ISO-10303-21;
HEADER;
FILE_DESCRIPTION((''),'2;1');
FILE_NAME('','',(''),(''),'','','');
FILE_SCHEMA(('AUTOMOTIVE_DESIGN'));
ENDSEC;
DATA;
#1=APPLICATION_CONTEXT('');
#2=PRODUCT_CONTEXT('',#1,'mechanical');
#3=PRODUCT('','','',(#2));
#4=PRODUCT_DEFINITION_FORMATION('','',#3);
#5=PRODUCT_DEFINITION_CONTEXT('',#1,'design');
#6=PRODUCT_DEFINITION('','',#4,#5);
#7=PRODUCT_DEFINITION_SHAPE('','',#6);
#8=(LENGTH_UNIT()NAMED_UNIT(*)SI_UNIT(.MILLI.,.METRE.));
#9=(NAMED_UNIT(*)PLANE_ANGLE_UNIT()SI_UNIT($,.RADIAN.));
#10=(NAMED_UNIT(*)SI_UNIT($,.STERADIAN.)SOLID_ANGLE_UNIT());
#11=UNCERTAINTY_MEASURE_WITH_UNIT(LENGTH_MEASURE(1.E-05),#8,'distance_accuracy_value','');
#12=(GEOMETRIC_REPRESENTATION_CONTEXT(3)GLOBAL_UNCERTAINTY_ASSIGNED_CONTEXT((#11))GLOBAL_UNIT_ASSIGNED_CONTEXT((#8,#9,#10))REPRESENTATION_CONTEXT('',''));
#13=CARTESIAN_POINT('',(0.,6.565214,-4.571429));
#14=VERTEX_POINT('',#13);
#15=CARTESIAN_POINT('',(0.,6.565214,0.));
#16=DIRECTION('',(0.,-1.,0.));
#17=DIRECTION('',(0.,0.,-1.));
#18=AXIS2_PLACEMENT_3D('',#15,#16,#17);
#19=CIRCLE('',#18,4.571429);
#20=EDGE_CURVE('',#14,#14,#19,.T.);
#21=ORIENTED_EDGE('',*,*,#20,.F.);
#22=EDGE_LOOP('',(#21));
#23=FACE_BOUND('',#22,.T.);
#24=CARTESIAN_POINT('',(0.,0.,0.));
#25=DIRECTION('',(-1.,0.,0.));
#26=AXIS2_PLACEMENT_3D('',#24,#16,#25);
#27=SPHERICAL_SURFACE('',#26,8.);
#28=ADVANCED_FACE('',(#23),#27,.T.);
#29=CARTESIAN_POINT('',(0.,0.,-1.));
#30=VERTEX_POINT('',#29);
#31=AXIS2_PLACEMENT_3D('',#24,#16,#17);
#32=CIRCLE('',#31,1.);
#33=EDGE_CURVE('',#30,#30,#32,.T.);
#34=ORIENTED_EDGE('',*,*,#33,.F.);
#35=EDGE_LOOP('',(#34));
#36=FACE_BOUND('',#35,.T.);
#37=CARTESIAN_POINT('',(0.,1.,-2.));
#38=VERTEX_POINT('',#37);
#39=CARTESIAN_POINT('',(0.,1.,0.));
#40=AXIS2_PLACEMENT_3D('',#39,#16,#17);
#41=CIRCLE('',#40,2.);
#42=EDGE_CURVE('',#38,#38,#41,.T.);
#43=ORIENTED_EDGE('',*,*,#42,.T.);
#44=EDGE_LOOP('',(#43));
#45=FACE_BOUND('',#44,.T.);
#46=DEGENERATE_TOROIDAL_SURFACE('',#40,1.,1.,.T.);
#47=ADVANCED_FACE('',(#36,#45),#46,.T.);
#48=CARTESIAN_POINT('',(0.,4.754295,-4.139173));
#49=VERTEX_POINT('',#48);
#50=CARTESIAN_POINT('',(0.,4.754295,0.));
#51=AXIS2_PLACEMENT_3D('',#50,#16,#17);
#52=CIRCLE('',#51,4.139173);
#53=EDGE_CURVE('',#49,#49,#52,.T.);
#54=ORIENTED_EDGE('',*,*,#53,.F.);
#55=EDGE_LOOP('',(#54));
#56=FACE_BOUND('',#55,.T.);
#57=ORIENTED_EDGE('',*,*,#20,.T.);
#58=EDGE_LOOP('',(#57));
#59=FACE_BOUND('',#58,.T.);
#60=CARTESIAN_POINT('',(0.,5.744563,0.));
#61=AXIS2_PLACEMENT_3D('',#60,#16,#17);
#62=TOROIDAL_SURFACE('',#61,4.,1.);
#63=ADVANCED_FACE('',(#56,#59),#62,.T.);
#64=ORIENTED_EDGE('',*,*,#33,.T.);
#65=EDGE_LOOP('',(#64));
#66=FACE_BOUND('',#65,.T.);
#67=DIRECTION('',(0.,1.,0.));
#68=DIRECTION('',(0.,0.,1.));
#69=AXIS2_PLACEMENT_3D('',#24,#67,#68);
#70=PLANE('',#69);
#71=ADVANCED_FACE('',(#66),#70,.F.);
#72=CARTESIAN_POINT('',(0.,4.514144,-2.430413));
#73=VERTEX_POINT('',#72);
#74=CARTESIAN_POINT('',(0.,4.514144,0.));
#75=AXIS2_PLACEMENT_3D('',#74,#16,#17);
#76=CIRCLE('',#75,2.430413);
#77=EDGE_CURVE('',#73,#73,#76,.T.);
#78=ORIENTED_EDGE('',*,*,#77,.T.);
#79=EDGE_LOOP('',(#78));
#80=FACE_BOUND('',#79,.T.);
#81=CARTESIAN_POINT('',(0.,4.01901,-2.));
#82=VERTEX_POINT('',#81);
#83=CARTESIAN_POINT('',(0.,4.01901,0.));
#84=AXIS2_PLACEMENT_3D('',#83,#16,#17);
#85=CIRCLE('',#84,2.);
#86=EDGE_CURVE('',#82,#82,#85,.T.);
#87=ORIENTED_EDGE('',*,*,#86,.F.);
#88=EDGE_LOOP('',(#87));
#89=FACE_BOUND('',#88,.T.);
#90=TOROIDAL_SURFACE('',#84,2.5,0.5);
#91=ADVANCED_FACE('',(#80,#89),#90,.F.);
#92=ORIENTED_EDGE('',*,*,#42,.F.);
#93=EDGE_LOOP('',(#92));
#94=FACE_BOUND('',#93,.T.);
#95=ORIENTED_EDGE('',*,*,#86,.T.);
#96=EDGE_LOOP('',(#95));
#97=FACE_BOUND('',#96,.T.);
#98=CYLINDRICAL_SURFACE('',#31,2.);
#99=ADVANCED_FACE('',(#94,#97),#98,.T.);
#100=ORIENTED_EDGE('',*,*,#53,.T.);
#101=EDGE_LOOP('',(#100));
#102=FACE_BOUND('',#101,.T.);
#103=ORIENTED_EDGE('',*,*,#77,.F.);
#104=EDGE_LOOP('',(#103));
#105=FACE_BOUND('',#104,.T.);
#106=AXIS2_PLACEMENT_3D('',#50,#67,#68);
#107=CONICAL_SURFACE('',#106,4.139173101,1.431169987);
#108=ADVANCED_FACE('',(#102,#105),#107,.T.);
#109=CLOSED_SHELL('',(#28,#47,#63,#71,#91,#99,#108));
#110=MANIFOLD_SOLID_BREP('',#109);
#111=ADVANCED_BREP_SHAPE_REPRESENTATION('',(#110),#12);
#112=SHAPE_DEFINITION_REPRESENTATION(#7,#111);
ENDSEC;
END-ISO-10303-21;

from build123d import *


with BuildPart() as part:
    # Croquis1 → Revolución1 (revolve)
    with BuildSketch(Plane.XY):
        with BuildLine():
            Line((-1, 0), (0, 0))
            Line((0, 0), (0, 8))
            ThreePointArc((0, 8), (-2.395650681, 7.632880047), (-4.571428571, 6.565214453))
            ThreePointArc((-4.571428571, 6.565214453), (-4.97267486, 5.512391122), (-4.139173101, 4.754294578))
            Line((-4.139173101, 4.754294578), (-2.43041345, 4.51414407))
            ThreePointArc((-2.43041345, 4.51414407), (-2.12264521, 4.34703955), (-2, 4.019010036))
            Line((-2, 4.019010036), (-2, 1))
            ThreePointArc((-2, 1), (-1.707106781, 0.292893219), (-1, 0))
        make_face()
    revolve(axis=Axis((0, 0, 0), (0, 1, 0)))


solid = part.part
